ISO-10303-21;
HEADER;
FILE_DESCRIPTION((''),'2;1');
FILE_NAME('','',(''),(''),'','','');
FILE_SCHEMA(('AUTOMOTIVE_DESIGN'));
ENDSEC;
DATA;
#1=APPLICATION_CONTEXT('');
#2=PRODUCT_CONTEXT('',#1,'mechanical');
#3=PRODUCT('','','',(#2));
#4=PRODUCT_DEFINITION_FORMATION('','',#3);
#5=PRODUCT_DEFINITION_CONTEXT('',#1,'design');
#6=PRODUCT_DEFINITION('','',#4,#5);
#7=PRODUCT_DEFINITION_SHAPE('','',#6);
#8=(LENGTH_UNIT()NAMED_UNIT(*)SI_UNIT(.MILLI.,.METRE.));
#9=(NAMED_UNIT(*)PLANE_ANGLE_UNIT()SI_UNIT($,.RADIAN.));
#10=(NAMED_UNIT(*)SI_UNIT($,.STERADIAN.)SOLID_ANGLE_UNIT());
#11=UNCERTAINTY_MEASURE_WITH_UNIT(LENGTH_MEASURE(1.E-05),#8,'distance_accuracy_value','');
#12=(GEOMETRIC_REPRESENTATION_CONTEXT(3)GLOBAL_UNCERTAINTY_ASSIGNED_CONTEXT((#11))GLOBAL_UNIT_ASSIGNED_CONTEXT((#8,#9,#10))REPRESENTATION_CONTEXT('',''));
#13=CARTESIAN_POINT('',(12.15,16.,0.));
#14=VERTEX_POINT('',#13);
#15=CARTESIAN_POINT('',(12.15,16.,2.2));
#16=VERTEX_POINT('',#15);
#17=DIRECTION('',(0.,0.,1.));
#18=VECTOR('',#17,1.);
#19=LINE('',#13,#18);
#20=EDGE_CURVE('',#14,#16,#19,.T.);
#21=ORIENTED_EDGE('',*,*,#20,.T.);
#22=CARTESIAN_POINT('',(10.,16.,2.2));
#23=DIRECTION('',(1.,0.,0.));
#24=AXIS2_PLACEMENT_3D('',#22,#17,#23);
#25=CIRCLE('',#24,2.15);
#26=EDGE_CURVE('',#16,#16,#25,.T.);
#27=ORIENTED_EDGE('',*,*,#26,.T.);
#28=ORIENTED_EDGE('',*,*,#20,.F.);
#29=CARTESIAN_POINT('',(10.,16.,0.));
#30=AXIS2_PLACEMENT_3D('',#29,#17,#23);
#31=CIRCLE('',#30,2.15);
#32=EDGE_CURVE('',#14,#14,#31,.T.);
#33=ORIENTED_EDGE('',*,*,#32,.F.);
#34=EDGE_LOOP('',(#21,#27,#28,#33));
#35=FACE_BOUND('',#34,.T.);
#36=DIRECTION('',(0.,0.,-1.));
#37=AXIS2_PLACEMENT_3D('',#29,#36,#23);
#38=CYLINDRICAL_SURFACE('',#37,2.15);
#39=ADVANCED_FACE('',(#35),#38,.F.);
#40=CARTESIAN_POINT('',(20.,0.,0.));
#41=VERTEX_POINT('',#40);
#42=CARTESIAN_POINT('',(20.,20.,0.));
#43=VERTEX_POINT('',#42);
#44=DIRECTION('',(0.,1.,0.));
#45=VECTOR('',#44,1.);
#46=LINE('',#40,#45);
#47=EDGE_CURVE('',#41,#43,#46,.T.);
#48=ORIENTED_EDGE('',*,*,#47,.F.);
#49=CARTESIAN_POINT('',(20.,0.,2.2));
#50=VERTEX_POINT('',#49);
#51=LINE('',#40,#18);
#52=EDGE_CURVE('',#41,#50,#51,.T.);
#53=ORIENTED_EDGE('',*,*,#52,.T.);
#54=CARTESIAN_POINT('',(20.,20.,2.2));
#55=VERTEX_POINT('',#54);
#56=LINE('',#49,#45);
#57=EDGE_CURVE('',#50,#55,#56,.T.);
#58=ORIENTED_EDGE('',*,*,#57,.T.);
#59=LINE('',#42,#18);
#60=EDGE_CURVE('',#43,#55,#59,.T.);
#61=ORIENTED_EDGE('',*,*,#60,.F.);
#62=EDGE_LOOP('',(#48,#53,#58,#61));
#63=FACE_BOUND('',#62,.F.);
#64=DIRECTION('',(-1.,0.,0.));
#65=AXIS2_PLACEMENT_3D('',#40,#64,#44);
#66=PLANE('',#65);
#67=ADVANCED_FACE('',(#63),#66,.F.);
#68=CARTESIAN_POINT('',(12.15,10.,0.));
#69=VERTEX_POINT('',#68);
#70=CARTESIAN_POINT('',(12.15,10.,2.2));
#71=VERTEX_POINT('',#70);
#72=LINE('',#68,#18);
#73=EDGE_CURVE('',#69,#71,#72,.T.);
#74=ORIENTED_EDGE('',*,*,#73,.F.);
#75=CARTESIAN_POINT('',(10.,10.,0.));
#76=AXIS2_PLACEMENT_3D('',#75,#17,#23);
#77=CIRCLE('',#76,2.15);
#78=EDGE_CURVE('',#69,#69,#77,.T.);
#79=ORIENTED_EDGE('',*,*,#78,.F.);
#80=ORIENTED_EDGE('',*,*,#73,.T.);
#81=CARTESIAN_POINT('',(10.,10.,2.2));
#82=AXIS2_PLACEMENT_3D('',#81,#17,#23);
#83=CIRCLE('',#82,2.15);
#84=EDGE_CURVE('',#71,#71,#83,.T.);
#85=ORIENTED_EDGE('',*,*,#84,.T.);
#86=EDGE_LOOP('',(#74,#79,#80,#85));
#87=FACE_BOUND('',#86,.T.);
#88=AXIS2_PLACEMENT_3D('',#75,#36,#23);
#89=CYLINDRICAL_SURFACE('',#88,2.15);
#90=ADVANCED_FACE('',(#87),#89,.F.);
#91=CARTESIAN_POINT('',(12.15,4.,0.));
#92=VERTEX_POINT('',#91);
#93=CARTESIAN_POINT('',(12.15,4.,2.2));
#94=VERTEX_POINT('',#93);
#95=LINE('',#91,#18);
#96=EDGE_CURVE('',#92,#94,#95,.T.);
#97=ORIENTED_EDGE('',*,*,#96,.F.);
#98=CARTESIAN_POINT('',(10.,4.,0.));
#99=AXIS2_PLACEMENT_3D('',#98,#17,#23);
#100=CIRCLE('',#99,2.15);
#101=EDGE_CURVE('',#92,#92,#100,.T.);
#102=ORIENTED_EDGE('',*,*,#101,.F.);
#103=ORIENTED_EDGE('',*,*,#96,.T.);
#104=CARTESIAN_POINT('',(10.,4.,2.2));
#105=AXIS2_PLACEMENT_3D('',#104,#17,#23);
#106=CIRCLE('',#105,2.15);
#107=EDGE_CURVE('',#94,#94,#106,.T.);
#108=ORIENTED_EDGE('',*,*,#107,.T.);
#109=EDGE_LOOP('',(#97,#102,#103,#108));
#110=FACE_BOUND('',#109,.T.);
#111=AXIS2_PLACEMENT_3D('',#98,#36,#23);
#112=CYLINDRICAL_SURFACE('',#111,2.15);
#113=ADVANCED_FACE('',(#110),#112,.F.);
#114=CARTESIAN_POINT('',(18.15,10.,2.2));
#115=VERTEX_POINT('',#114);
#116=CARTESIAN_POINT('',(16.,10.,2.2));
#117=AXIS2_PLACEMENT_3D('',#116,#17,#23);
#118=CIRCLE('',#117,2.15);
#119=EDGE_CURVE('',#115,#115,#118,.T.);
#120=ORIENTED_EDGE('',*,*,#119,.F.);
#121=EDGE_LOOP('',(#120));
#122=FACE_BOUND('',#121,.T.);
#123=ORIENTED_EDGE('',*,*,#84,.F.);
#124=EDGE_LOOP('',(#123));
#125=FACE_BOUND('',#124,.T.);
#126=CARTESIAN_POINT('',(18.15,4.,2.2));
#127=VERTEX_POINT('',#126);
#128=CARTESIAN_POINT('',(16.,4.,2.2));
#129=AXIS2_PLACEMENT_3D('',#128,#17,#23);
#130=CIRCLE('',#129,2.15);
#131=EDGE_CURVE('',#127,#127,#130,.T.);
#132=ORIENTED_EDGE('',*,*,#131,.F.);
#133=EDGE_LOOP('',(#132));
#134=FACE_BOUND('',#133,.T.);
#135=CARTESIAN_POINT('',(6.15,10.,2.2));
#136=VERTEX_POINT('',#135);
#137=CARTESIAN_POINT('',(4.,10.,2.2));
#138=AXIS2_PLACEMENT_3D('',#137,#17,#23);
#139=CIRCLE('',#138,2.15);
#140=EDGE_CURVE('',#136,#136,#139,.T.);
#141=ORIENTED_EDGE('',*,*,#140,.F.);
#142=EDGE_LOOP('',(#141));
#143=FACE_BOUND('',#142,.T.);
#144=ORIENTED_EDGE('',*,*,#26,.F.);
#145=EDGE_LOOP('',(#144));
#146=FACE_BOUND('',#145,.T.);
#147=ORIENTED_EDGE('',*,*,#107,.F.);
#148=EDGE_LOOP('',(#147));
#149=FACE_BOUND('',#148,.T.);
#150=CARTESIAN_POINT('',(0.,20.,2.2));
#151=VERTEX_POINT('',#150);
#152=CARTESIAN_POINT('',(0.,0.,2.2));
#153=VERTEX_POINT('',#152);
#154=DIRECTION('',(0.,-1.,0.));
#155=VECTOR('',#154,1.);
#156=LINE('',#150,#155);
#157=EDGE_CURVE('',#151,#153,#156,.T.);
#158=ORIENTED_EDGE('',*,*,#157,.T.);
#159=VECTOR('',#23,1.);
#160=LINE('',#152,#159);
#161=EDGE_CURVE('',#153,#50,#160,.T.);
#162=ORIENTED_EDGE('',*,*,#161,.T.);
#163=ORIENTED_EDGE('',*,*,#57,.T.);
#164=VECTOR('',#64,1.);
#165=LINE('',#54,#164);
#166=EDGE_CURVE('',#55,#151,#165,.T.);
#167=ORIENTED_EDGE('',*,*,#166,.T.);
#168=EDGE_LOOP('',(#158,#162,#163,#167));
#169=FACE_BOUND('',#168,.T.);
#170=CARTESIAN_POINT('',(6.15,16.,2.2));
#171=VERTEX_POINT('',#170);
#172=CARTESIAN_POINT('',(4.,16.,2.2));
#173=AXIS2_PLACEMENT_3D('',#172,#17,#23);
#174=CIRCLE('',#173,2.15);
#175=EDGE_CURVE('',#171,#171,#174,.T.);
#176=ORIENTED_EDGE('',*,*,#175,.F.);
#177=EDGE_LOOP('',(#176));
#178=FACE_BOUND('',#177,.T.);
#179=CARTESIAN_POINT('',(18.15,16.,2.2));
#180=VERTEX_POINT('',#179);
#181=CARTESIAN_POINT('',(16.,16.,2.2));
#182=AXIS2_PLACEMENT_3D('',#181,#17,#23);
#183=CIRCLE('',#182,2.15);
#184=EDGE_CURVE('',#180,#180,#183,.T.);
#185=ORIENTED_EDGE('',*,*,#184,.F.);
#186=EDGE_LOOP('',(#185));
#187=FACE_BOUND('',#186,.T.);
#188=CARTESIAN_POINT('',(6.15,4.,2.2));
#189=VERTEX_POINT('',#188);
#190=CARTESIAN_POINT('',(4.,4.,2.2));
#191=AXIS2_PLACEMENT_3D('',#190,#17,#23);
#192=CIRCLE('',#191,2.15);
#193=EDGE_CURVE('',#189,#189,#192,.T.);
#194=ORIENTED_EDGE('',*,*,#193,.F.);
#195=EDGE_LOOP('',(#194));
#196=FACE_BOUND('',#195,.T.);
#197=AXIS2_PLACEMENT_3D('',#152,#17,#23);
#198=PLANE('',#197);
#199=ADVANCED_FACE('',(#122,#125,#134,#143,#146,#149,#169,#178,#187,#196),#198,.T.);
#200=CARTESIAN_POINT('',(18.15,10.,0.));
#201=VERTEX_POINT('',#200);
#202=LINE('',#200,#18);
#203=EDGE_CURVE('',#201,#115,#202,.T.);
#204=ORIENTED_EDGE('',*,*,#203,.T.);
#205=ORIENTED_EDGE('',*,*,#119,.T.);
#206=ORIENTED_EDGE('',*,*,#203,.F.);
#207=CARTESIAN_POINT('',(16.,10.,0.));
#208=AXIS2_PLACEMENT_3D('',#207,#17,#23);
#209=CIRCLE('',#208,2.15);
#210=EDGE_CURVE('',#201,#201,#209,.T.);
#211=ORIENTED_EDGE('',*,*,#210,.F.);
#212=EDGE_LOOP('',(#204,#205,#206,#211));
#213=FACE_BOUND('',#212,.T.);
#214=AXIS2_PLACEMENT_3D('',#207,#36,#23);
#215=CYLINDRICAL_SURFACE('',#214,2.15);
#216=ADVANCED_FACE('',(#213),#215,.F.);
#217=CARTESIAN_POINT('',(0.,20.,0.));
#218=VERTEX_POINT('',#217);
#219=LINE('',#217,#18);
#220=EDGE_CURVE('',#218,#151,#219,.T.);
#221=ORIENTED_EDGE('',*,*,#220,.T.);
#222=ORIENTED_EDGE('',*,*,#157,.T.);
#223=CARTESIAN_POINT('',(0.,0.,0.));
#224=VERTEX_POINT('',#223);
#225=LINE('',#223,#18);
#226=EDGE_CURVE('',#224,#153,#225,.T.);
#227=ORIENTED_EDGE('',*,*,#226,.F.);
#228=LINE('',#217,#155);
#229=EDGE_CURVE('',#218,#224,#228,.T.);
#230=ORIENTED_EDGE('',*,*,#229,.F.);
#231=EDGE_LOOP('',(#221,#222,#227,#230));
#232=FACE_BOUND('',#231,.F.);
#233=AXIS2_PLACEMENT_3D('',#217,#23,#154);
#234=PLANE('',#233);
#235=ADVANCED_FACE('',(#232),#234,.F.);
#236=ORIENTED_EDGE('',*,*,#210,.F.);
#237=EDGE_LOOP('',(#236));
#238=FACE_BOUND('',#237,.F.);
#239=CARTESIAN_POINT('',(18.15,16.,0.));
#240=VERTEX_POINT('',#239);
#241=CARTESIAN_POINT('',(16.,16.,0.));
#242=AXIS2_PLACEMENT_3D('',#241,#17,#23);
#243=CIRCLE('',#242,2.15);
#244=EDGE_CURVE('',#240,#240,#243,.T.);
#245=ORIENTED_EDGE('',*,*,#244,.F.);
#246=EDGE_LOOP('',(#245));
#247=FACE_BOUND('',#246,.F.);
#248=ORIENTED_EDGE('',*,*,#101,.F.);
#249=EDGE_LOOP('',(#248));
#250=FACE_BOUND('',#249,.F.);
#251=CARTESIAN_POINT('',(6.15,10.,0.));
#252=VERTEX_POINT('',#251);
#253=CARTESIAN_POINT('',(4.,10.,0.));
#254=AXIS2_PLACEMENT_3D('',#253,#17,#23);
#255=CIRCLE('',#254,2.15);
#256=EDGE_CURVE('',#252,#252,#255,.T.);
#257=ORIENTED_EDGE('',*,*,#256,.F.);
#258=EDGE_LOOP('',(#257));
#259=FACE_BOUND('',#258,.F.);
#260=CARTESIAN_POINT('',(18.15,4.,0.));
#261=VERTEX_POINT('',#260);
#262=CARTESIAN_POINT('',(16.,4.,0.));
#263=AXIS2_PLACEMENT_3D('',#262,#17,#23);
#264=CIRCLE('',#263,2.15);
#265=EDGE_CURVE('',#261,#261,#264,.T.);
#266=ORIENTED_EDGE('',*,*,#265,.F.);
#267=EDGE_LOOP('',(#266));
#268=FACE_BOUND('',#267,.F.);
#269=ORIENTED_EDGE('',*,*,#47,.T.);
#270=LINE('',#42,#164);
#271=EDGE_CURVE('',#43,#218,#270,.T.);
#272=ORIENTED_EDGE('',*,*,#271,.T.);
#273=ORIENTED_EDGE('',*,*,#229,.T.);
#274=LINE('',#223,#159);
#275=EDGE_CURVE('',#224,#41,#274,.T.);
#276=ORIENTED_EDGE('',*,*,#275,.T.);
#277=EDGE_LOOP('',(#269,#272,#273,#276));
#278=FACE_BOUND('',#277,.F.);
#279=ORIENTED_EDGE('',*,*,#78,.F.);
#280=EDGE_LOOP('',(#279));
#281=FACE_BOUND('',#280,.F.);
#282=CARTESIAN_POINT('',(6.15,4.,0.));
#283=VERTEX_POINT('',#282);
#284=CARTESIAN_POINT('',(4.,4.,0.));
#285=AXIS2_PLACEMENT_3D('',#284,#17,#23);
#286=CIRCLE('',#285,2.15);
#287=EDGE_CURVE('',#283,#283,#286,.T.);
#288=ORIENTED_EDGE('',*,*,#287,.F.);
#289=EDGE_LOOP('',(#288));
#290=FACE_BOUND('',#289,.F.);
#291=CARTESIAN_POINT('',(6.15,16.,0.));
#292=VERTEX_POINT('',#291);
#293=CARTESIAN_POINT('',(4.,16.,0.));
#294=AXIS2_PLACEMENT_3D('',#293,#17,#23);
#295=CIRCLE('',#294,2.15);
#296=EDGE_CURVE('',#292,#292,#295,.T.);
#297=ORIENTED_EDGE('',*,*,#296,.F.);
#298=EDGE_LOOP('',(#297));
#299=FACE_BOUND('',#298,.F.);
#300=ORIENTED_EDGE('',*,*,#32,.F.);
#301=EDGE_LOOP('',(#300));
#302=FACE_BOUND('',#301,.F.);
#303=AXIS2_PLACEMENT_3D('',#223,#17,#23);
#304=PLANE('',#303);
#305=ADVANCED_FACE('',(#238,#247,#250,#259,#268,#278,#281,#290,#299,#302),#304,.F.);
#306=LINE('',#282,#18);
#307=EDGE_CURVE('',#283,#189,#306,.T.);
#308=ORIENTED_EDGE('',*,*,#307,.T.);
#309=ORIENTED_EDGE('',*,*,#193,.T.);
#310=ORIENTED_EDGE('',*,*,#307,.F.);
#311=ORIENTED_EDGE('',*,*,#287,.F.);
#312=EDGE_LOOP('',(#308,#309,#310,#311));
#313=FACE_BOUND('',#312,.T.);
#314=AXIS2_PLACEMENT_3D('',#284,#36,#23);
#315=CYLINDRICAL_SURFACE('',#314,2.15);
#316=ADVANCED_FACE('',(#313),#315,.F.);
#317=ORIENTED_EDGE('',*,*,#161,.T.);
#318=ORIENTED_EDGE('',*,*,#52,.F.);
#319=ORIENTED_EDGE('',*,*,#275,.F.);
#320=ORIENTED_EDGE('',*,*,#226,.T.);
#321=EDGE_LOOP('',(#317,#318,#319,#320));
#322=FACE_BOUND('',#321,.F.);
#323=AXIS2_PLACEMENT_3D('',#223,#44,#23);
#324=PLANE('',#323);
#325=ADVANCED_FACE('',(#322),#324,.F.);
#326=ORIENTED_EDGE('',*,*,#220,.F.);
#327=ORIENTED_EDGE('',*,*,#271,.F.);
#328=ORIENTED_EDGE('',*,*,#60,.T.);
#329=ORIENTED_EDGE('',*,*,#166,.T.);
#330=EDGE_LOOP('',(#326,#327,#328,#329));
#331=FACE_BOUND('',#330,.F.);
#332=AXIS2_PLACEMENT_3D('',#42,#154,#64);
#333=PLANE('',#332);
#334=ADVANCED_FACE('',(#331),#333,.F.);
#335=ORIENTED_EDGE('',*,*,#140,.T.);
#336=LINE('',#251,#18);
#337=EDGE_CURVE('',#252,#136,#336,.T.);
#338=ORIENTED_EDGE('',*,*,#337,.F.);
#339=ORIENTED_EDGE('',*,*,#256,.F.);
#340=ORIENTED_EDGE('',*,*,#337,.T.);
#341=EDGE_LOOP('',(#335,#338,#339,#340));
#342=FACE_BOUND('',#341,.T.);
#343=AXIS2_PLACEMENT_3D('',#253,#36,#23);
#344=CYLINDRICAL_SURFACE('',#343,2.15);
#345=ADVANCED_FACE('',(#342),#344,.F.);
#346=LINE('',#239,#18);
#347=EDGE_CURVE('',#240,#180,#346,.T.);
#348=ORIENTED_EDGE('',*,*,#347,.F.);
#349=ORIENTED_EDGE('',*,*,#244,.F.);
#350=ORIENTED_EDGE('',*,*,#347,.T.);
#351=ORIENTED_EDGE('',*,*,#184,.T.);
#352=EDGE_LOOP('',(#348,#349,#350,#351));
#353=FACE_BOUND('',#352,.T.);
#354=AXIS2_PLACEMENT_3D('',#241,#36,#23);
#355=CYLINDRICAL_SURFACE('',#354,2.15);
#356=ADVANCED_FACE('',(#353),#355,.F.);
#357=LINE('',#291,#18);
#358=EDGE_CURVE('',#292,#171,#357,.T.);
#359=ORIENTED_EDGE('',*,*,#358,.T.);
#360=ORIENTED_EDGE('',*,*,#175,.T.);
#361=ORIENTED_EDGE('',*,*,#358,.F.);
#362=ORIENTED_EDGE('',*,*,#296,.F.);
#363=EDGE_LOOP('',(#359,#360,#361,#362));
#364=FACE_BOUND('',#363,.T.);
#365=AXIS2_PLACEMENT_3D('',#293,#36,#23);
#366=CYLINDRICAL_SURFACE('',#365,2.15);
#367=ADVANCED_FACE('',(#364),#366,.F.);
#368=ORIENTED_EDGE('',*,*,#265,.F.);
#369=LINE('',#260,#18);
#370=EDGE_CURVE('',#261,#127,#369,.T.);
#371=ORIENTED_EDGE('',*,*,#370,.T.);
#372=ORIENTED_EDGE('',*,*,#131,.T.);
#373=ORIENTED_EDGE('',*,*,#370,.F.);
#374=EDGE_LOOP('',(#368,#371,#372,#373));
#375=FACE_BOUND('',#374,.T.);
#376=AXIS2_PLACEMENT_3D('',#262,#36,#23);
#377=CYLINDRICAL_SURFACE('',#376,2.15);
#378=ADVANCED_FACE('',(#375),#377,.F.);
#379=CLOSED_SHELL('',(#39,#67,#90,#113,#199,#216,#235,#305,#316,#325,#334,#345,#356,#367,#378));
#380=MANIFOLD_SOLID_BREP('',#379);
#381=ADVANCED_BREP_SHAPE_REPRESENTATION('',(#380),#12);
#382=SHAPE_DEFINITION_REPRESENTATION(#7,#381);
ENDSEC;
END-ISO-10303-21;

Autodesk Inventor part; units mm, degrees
ref_plane "YZ Plane" through (0, 0, 0) normal (1, 0, 0) x (0, 1, 0)
ref_plane "XZ Plane" through (0, 0, 0) normal (0, 1, 0) x (-1, 0, 0)
ref_plane "XY Plane" through (0, 0, 0) normal (0, 0, 1) x (1, 0, 0)
sketch "OlloGrid" plane through (0, 0, 0) normal (0, 0, 1) x (1, 0, 0)
  line L0 (0, 0) -> (20, 0)
  line L1 (20, 0) -> (20, 20)
  line L2 (20, 20) -> (0, 20)
  line L3 (0, 20) -> (0, 0)
  circle A0 centre (4, 16) radius 2.15
  line L4 (4, 16) -> (4, 20) construction
  line L5 (4, 16) -> (0, 16) construction
  circle A1 centre (10, 16) radius 2.15
  circle A2 centre (16, 16) radius 2.15
  circle A3 centre (4, 10) radius 2.15
  circle A4 centre (10, 10) radius 2.15
  circle A5 centre (16, 10) radius 2.15
  circle A6 centre (4, 4) radius 2.15
  circle A7 centre (10, 4) radius 2.15
  circle A8 centre (16, 4) radius 2.15
  dimension "d0" = 20
  dimension "d4" = 4.3
  dimension "d5" = 4
  dimension "d8" = 6
  dimension "d11" = 6
extrude "Ollo" add sketch "OlloGrid" along normal blind 2.2
properties part number "OlloGrid"
